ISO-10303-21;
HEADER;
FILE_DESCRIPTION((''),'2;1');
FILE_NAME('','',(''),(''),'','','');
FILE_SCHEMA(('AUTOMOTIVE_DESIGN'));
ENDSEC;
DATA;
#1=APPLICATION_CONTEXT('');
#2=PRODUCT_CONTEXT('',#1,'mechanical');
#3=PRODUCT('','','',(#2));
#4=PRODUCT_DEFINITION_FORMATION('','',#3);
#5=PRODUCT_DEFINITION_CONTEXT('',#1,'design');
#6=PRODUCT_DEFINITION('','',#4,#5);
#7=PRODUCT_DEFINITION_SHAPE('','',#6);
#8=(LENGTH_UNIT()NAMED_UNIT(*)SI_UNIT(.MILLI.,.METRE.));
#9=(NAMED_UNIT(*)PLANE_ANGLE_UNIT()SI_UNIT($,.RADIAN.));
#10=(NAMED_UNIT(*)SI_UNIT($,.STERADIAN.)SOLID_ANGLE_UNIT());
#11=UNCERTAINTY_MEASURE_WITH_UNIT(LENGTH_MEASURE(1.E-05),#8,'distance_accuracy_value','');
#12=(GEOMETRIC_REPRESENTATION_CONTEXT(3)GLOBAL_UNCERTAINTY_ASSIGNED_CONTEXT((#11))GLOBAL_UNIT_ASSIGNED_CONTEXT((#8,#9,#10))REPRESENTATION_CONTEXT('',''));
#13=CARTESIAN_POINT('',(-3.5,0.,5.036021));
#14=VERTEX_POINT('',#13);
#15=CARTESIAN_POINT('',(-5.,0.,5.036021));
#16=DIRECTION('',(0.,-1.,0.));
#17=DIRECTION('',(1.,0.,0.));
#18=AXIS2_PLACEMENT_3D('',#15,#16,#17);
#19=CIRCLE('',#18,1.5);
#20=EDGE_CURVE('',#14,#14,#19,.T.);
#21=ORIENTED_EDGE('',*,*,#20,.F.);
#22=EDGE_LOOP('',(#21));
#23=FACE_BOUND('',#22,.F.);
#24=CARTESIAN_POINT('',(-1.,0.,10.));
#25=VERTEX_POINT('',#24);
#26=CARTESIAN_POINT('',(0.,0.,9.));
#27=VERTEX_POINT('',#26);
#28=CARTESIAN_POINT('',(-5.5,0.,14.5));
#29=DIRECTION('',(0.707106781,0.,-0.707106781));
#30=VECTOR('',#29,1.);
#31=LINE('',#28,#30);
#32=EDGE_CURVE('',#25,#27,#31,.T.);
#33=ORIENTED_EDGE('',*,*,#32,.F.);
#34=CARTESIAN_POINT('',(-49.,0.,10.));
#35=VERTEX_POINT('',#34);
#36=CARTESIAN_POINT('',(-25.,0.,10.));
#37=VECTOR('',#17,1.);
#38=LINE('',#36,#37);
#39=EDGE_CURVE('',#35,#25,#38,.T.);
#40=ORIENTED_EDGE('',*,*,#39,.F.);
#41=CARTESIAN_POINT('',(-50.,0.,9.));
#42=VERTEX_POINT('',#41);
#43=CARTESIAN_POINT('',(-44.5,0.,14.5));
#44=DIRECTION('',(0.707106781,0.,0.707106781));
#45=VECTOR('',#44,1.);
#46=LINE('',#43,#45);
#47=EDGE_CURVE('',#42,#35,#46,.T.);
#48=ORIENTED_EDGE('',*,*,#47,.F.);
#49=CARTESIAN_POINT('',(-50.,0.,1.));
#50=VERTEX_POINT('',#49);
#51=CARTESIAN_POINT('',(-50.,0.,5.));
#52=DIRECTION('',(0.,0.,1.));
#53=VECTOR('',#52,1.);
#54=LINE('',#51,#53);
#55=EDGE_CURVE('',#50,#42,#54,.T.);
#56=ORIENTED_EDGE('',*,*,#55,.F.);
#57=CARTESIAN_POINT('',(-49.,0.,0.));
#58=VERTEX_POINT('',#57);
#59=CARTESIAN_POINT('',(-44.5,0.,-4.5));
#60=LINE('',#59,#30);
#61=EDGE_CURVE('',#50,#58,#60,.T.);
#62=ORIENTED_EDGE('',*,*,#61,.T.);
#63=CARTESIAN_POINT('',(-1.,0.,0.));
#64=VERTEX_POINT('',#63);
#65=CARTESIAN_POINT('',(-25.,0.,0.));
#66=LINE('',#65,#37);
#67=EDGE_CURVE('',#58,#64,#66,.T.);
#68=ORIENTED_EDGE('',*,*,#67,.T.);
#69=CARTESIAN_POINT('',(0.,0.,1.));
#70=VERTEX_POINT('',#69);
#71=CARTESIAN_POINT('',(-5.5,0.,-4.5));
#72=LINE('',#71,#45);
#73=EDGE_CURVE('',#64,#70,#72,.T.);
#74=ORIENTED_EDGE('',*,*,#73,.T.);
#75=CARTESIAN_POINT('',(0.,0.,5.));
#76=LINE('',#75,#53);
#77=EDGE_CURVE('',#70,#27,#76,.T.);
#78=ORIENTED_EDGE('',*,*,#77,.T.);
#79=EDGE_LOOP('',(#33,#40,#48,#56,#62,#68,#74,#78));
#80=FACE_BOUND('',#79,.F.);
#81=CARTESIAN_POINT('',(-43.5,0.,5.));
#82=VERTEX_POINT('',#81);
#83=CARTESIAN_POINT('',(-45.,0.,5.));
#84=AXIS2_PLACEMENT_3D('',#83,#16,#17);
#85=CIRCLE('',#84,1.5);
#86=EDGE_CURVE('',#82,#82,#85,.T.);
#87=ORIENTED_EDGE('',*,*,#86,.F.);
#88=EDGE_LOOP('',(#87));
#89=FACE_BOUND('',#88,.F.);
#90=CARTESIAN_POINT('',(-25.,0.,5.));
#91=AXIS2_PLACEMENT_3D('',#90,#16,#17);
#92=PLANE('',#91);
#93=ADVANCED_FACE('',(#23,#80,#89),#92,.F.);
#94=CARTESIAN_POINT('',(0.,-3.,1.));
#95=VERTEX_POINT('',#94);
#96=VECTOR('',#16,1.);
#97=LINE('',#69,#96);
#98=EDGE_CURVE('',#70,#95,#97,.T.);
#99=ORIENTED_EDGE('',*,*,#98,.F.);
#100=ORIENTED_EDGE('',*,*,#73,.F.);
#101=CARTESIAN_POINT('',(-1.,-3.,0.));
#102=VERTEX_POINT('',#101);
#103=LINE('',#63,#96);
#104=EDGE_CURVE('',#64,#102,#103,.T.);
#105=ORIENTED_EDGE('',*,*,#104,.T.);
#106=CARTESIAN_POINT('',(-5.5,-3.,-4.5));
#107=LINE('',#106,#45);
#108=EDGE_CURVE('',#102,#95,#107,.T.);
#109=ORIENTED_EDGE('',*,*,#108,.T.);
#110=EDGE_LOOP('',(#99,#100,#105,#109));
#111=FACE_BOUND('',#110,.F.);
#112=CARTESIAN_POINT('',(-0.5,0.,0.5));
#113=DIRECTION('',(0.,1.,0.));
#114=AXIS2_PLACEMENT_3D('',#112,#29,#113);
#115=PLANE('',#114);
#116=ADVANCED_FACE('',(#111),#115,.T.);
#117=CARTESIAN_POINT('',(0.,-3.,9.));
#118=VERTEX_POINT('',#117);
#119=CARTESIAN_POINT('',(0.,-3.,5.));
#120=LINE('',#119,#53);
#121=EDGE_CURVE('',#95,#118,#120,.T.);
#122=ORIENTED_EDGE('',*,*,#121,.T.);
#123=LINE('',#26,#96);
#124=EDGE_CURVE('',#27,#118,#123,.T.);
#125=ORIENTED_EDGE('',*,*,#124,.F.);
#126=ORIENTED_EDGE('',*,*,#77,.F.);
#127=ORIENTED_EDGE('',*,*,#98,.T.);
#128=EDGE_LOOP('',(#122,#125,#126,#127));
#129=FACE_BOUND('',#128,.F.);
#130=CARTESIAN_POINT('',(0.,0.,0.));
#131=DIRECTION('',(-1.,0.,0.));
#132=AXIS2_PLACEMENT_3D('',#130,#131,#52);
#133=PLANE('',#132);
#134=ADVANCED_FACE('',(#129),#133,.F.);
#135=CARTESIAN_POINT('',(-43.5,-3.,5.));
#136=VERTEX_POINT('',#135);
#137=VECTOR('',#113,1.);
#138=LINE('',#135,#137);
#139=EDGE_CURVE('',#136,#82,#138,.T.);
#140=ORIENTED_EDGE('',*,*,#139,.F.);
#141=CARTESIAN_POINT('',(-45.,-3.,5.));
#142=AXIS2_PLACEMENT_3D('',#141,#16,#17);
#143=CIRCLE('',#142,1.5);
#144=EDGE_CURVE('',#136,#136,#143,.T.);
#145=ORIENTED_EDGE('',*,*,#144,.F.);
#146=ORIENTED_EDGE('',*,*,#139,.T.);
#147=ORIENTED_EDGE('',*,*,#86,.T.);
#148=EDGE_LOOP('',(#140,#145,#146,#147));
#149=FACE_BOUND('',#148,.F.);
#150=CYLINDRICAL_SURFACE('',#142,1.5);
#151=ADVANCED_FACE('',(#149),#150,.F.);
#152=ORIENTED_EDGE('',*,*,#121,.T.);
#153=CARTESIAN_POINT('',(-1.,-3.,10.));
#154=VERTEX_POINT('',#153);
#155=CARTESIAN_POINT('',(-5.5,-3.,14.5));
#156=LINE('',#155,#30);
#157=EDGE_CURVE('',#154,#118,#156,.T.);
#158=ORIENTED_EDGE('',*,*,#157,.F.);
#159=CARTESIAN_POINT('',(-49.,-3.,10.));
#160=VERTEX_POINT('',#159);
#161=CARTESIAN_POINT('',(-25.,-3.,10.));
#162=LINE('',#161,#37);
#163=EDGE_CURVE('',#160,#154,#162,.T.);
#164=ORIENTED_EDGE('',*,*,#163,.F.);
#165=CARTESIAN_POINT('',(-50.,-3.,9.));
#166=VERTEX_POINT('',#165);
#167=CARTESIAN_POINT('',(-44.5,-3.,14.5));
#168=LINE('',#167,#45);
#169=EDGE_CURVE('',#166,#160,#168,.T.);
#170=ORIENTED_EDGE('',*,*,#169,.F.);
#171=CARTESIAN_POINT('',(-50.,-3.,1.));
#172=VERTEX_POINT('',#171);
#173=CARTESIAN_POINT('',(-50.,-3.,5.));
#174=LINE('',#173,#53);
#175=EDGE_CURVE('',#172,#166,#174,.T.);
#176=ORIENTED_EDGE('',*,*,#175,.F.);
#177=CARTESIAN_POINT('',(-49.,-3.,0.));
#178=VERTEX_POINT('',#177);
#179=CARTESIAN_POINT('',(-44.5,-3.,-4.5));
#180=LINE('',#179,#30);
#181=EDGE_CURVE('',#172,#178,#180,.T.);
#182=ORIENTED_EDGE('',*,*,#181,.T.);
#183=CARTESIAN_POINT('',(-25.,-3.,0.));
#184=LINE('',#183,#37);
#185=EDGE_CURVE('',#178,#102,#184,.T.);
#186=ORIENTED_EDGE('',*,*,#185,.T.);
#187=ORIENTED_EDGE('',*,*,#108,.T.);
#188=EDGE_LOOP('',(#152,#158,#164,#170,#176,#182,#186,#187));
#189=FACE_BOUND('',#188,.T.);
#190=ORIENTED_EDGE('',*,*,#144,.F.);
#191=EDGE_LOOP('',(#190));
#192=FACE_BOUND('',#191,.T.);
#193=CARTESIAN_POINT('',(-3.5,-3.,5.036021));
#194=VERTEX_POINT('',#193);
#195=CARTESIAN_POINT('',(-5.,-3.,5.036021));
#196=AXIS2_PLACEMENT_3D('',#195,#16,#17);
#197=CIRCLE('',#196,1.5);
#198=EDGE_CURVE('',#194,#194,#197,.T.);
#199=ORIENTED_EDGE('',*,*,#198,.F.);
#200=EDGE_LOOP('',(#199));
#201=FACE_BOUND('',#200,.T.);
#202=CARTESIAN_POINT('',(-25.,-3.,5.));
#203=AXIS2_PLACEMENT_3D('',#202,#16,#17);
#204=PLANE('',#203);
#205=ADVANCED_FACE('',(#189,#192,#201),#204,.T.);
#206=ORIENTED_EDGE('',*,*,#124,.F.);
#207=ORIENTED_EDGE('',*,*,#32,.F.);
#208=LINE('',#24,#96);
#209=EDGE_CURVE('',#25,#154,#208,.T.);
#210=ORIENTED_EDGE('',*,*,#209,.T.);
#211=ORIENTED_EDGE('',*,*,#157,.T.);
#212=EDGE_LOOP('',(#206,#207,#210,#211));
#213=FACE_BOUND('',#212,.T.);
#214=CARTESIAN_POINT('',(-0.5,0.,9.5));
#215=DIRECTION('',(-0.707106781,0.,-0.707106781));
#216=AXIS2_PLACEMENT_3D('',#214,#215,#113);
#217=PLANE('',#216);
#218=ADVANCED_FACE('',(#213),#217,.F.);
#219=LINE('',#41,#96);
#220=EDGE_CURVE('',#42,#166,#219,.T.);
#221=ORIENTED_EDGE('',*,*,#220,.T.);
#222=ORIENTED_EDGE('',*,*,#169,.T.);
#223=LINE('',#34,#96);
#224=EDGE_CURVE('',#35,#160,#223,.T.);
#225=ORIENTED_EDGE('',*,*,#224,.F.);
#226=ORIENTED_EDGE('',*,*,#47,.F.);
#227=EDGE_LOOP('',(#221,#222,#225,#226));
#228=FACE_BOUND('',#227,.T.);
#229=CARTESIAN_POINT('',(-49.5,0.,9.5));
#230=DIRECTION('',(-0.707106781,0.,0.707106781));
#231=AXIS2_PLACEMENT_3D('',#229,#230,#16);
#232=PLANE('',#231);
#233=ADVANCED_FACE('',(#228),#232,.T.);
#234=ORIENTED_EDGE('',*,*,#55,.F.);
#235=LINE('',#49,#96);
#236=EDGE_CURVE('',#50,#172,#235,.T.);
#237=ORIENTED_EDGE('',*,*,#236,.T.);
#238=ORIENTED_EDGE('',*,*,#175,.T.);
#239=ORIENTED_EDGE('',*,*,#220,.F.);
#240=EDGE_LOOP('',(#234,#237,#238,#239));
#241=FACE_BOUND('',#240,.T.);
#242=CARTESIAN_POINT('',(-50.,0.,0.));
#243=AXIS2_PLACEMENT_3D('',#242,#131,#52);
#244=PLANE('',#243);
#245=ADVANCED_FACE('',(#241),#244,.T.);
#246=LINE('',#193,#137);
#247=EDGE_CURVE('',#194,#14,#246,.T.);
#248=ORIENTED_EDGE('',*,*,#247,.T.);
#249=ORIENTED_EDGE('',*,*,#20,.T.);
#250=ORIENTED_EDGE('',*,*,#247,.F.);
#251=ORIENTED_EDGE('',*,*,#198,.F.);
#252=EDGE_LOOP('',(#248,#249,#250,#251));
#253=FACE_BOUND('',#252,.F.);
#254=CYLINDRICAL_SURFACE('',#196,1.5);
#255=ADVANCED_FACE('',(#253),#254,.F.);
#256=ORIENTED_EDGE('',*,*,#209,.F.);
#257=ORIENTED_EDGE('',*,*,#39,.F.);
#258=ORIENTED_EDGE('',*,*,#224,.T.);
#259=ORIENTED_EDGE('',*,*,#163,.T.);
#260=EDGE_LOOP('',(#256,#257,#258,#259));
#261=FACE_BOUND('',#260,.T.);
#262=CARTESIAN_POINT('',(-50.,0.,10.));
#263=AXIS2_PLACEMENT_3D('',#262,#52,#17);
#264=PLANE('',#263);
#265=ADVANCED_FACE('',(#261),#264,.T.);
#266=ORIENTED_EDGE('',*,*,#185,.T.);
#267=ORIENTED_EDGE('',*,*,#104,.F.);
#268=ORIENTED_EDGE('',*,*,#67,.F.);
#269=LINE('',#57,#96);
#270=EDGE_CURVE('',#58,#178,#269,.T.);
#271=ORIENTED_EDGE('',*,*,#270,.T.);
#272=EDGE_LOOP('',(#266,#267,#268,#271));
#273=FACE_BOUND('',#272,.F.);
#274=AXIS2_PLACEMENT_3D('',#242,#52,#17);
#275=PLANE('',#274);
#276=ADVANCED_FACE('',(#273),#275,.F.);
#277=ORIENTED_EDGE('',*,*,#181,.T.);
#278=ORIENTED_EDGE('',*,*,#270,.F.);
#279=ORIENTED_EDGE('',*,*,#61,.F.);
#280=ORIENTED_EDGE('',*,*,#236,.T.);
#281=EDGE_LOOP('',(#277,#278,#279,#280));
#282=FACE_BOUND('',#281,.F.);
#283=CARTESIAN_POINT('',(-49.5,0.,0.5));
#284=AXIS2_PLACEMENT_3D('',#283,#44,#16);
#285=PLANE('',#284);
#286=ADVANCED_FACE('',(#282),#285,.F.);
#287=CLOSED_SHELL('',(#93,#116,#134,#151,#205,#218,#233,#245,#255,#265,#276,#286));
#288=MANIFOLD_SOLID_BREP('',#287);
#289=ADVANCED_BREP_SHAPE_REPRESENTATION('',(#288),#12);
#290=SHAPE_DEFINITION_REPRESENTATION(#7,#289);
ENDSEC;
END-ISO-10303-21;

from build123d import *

# Parameters (mm, degrees)
F0_W     = 50
F0_H     = 10
F1_DEPTH = 3
F2_R     = 1.5
F3_DEPTH = 5
F4_SIZE  = 1


with BuildPart() as f1:
    # F0 (on Front) → F1 (new body)
    with BuildSketch(Plane.XZ):
        with Locations((-25, 5)):
            Rectangle(F0_W, F0_H)
    extrude(amount=F1_DEPTH)

    # F2 (on face) → F3 (cut)
    with BuildSketch(Plane.XZ.offset(3)):
        with Locations((-45, 5)):
            Circle(F2_R)
        with Locations((-5, 5.036021)):
            Circle(F2_R)
    extrude(amount=-F3_DEPTH, mode=Mode.SUBTRACT)

    # F4
    f4_edges = [f1.edges().sort_by_distance(p)[0] for p in [
        (0, -1.5, 10),
        (0, -1.5, 0),
        (-50, -1.5, 10),
        (-50, -1.5, 0),
    ]]
    chamfer(f4_edges, length=F4_SIZE)


solid = f1.part
